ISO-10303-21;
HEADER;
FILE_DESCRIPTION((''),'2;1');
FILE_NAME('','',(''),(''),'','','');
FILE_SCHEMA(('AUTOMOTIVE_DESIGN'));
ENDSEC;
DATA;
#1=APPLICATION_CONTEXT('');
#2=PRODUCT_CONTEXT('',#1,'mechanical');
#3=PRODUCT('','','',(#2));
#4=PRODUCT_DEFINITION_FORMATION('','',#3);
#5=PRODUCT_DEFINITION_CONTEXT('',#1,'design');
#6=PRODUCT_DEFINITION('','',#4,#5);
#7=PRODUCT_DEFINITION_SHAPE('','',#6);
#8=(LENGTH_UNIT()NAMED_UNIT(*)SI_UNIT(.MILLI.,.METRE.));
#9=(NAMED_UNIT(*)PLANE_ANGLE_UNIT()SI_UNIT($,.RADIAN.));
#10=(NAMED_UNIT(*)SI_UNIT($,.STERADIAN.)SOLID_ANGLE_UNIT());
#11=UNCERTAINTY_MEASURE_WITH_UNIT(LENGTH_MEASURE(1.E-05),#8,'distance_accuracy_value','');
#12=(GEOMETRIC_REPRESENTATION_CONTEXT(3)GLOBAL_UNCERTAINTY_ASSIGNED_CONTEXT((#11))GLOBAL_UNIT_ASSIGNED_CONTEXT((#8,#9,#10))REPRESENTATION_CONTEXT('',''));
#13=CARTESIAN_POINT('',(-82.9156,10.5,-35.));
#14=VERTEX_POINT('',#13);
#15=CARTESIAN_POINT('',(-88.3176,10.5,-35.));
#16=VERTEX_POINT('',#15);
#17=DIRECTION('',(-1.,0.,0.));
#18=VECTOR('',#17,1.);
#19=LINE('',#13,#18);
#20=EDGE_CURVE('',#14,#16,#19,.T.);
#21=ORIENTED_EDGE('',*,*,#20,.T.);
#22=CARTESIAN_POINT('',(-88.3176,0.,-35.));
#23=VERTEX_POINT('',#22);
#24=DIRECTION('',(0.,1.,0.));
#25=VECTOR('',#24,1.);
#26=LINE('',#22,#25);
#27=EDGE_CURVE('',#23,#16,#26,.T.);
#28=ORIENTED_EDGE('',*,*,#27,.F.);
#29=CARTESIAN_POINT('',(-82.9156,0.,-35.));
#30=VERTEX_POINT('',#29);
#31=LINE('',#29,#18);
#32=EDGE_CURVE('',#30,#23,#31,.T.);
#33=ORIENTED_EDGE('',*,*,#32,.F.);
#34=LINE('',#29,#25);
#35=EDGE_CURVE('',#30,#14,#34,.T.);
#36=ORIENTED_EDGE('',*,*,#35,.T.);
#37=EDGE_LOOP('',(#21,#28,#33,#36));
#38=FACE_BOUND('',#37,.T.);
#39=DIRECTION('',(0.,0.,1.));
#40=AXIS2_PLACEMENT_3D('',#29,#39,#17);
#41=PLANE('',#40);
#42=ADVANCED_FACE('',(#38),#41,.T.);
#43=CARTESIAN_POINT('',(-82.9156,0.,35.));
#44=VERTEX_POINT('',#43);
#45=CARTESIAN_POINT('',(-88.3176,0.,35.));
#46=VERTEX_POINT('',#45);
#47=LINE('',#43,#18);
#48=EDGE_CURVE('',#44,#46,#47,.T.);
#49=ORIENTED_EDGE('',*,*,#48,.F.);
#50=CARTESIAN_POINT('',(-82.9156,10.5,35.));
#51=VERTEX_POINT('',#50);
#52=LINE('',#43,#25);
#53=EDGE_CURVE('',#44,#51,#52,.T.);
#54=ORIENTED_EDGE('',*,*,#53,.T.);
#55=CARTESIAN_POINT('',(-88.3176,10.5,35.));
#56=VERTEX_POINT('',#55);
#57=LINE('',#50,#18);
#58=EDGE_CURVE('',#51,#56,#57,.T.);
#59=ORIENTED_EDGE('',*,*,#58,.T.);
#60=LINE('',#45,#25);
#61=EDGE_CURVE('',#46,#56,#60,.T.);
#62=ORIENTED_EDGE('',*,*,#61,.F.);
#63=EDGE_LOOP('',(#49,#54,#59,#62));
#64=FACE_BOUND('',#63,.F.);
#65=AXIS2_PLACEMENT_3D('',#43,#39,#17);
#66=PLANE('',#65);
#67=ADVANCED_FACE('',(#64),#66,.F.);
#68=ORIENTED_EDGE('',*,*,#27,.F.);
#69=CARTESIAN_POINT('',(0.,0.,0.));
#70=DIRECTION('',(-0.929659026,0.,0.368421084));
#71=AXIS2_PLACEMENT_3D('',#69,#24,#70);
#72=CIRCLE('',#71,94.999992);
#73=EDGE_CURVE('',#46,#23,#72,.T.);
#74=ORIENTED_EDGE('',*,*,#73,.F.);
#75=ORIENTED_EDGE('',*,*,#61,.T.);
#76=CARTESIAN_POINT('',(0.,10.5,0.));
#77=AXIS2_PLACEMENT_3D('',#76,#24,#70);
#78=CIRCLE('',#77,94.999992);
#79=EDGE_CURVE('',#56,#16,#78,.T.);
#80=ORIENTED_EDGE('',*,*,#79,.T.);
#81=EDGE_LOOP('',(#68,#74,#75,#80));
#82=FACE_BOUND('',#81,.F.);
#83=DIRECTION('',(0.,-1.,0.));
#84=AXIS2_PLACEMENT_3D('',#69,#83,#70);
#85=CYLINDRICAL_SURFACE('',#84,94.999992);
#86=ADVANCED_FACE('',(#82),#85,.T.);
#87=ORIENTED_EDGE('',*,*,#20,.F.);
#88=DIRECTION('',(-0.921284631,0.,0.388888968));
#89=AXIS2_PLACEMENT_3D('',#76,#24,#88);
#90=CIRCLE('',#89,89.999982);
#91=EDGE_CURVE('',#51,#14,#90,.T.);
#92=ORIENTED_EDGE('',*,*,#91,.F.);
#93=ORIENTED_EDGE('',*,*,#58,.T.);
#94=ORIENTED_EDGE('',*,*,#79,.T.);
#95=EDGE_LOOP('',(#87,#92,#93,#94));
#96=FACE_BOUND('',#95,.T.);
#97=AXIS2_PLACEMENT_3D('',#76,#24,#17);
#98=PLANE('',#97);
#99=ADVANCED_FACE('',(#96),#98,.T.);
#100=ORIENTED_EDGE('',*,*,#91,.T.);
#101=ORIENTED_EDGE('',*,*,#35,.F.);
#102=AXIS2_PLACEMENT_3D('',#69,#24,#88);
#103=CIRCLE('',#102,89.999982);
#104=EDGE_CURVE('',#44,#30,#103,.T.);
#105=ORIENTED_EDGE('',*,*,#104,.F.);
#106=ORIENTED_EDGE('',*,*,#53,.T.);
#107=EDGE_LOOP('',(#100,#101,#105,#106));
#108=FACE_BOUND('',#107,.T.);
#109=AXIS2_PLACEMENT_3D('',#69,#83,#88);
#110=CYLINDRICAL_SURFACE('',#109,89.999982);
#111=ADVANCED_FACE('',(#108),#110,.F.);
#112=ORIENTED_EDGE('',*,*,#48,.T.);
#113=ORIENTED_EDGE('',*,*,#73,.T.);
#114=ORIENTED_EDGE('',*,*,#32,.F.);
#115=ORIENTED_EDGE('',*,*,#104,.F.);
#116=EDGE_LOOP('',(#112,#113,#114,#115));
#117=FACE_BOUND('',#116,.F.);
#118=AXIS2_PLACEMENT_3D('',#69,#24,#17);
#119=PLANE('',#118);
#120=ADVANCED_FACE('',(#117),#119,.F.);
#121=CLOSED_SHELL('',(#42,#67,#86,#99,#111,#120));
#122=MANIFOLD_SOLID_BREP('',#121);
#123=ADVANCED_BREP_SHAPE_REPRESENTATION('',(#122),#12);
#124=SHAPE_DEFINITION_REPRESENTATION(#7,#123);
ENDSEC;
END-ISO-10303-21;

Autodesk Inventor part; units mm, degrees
ref_plane "YZ Plane" through (0, 0, 0) normal (1, 0, 0) x (0, 1, 0)
ref_plane "XZ Plane" through (0, 0, 0) normal (0, 1, 0) x (-1, 0, 0)
ref_plane "XY Plane" through (0, 0, 0) normal (0, 0, 1) x (1, 0, 0)
sketch "Sketch1" plane through (0, 0, 0) normal (0, 1, 0) x (-1, 0, 0)
  arc A0 (82.9156, 35) -> (82.9156, -35) centre (0, 0) ccw
  arc A1 (88.3176, 35) -> (88.3176, -35) centre (0, 0) ccw
  line L0 (0, 0) -> (0, -35)
  line L1 (0, 0) -> (0, 35)
  line L2 (82.9156, 35) -> (88.3176, 35)
  line L3 (82.9156, -35) -> (88.3176, -35)
  dimension "d1" = 180
  dimension "d2" = 190
  dimension "d3" = 35
  dimension "d4" = 35
extrude "Extrusion1" add sketch "Sketch1" along normal blind 10.5
properties part number "LEDs"
